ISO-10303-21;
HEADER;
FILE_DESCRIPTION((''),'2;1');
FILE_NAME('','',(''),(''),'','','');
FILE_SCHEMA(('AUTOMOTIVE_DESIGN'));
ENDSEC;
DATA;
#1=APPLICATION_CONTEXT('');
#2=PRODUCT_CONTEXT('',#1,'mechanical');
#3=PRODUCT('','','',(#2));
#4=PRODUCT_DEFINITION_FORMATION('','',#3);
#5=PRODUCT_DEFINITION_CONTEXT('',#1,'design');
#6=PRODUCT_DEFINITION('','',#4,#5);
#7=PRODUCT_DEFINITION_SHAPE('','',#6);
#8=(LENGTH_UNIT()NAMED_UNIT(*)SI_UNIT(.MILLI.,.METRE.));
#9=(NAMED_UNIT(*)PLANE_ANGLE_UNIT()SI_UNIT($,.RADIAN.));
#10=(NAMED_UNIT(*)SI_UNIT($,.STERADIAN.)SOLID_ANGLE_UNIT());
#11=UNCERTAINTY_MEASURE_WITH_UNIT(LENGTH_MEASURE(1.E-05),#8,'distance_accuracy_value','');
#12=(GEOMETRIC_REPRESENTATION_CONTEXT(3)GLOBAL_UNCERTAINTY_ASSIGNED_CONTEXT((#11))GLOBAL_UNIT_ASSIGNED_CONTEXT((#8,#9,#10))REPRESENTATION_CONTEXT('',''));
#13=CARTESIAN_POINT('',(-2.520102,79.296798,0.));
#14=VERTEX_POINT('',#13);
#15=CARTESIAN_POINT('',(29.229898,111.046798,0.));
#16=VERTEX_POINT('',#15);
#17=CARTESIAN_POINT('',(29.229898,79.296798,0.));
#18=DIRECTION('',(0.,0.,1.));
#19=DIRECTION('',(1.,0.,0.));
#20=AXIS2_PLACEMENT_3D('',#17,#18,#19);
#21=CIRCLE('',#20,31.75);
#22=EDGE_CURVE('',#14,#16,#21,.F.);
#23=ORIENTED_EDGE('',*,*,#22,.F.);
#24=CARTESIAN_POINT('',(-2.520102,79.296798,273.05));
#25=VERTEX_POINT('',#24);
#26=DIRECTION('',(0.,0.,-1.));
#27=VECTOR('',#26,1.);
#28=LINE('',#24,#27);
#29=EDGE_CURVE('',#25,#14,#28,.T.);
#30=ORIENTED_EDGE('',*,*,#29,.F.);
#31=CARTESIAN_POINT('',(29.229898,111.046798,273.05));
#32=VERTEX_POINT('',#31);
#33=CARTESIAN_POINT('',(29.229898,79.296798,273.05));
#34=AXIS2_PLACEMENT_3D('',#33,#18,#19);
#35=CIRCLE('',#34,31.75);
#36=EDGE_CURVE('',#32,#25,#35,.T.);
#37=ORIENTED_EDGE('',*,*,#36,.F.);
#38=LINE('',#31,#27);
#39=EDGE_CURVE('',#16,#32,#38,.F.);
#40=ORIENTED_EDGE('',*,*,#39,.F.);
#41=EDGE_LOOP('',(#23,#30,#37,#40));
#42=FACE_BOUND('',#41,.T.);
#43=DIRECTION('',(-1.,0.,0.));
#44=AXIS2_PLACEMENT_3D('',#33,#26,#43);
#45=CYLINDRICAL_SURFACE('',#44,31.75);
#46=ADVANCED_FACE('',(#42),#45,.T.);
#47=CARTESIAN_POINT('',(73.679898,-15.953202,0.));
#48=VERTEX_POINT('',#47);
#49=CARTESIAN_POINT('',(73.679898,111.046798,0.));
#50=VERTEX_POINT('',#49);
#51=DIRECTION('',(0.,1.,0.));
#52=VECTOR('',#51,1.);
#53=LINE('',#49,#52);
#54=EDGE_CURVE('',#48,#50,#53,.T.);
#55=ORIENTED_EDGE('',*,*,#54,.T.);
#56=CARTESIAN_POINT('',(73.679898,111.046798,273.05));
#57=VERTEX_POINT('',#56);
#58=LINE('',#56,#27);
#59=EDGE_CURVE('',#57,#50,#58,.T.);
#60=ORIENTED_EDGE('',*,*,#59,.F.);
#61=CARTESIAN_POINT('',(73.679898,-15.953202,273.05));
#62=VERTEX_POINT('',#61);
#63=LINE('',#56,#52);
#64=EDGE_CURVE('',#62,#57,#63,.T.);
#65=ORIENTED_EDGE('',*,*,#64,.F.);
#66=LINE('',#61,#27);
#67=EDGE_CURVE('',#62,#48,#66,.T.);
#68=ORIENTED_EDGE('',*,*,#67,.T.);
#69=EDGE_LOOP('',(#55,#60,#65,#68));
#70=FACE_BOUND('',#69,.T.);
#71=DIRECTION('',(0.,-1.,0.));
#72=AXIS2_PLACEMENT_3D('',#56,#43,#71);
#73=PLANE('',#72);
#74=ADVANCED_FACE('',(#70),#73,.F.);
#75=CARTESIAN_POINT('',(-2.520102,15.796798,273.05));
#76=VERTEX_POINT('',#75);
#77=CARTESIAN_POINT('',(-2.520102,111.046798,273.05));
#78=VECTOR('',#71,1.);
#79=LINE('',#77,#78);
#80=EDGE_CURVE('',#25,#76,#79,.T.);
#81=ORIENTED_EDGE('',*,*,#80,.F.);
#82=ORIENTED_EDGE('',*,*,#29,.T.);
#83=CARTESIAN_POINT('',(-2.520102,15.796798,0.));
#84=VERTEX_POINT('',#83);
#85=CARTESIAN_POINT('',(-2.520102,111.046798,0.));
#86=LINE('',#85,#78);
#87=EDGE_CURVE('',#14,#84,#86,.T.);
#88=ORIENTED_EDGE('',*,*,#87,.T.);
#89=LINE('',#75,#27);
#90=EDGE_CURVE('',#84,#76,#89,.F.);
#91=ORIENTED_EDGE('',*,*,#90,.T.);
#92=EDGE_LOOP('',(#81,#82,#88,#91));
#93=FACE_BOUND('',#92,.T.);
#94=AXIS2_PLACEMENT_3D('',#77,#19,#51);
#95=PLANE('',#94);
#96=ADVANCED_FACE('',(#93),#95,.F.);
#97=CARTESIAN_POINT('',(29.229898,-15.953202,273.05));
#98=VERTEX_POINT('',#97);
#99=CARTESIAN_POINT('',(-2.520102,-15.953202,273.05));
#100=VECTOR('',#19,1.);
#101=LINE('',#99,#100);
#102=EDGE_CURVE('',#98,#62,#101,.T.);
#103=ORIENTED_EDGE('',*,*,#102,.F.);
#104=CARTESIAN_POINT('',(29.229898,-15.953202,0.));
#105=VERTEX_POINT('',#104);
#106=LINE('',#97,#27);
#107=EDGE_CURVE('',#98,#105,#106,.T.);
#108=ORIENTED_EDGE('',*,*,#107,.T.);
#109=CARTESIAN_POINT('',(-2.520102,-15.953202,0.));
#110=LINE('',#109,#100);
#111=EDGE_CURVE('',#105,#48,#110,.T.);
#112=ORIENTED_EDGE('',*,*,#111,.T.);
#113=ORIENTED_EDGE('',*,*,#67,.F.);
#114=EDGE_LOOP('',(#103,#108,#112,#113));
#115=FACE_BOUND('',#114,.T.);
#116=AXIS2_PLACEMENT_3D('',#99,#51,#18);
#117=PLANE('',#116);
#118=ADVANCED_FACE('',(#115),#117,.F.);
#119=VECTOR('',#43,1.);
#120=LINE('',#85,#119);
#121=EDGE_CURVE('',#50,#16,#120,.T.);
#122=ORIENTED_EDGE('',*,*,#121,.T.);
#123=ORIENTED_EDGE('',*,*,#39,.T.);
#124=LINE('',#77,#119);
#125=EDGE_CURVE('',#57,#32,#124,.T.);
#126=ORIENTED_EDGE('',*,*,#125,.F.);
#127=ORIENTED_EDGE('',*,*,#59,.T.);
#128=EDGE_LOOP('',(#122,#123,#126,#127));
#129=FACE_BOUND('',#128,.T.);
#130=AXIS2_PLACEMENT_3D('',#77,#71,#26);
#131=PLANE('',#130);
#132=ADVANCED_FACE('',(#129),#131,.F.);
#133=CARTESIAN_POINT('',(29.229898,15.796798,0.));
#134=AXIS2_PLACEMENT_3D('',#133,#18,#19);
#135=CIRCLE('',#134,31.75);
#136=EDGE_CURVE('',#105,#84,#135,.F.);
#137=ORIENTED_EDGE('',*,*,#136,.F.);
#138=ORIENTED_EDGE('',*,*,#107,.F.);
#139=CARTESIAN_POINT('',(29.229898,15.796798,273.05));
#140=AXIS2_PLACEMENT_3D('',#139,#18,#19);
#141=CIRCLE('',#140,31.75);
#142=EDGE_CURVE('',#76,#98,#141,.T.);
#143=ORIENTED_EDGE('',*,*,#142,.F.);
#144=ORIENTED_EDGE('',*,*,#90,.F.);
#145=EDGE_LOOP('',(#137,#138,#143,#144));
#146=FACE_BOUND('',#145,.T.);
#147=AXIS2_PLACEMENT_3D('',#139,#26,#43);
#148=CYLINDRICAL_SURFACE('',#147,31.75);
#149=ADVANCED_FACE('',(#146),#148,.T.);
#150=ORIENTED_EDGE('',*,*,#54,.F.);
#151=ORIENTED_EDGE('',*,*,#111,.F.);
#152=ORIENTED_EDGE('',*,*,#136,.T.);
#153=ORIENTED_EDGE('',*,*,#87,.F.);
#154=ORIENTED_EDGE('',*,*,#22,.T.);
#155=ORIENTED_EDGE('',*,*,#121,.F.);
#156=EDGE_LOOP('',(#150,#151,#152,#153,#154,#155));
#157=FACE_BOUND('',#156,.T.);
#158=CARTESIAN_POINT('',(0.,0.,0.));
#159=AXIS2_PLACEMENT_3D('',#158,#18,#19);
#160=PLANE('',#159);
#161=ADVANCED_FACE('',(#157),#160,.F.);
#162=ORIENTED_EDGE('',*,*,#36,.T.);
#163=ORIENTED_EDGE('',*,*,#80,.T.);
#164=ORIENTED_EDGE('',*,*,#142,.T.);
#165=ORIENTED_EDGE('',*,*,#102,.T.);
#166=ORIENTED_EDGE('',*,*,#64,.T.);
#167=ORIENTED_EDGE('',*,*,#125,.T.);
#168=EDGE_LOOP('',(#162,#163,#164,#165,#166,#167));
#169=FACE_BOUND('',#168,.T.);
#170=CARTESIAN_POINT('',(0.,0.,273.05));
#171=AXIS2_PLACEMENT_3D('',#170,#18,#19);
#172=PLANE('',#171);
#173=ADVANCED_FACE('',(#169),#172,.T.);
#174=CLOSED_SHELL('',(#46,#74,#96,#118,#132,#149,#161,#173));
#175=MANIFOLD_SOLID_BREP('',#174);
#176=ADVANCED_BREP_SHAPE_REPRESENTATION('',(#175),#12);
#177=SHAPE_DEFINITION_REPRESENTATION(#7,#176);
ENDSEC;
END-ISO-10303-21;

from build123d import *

# Parameters (mm, degrees)
SKETCH1_W           = 76.2
SKETCH1_H           = 127
BOSS_EXTRUDE1_DEPTH = 273.05
FILLET1_R           = 31.75


with BuildPart() as part:
    # Sketch1 → Boss-Extrude1 (new body)
    with BuildSketch(Plane.XY):
        with Locations((35.57989844, 47.54679803)):
            Rectangle(SKETCH1_W, SKETCH1_H)
    extrude(amount=BOSS_EXTRUDE1_DEPTH)

    # Fillet1
    fillet1_edges = [part.edges().sort_by_distance(p)[0] for p in [
        (-2.52010156, 111.04679803, 136.525),
        (-2.52010156, -15.95320197, 136.525),
    ]]
    fillet(fillet1_edges, radius=FILLET1_R)


solid = part.part
